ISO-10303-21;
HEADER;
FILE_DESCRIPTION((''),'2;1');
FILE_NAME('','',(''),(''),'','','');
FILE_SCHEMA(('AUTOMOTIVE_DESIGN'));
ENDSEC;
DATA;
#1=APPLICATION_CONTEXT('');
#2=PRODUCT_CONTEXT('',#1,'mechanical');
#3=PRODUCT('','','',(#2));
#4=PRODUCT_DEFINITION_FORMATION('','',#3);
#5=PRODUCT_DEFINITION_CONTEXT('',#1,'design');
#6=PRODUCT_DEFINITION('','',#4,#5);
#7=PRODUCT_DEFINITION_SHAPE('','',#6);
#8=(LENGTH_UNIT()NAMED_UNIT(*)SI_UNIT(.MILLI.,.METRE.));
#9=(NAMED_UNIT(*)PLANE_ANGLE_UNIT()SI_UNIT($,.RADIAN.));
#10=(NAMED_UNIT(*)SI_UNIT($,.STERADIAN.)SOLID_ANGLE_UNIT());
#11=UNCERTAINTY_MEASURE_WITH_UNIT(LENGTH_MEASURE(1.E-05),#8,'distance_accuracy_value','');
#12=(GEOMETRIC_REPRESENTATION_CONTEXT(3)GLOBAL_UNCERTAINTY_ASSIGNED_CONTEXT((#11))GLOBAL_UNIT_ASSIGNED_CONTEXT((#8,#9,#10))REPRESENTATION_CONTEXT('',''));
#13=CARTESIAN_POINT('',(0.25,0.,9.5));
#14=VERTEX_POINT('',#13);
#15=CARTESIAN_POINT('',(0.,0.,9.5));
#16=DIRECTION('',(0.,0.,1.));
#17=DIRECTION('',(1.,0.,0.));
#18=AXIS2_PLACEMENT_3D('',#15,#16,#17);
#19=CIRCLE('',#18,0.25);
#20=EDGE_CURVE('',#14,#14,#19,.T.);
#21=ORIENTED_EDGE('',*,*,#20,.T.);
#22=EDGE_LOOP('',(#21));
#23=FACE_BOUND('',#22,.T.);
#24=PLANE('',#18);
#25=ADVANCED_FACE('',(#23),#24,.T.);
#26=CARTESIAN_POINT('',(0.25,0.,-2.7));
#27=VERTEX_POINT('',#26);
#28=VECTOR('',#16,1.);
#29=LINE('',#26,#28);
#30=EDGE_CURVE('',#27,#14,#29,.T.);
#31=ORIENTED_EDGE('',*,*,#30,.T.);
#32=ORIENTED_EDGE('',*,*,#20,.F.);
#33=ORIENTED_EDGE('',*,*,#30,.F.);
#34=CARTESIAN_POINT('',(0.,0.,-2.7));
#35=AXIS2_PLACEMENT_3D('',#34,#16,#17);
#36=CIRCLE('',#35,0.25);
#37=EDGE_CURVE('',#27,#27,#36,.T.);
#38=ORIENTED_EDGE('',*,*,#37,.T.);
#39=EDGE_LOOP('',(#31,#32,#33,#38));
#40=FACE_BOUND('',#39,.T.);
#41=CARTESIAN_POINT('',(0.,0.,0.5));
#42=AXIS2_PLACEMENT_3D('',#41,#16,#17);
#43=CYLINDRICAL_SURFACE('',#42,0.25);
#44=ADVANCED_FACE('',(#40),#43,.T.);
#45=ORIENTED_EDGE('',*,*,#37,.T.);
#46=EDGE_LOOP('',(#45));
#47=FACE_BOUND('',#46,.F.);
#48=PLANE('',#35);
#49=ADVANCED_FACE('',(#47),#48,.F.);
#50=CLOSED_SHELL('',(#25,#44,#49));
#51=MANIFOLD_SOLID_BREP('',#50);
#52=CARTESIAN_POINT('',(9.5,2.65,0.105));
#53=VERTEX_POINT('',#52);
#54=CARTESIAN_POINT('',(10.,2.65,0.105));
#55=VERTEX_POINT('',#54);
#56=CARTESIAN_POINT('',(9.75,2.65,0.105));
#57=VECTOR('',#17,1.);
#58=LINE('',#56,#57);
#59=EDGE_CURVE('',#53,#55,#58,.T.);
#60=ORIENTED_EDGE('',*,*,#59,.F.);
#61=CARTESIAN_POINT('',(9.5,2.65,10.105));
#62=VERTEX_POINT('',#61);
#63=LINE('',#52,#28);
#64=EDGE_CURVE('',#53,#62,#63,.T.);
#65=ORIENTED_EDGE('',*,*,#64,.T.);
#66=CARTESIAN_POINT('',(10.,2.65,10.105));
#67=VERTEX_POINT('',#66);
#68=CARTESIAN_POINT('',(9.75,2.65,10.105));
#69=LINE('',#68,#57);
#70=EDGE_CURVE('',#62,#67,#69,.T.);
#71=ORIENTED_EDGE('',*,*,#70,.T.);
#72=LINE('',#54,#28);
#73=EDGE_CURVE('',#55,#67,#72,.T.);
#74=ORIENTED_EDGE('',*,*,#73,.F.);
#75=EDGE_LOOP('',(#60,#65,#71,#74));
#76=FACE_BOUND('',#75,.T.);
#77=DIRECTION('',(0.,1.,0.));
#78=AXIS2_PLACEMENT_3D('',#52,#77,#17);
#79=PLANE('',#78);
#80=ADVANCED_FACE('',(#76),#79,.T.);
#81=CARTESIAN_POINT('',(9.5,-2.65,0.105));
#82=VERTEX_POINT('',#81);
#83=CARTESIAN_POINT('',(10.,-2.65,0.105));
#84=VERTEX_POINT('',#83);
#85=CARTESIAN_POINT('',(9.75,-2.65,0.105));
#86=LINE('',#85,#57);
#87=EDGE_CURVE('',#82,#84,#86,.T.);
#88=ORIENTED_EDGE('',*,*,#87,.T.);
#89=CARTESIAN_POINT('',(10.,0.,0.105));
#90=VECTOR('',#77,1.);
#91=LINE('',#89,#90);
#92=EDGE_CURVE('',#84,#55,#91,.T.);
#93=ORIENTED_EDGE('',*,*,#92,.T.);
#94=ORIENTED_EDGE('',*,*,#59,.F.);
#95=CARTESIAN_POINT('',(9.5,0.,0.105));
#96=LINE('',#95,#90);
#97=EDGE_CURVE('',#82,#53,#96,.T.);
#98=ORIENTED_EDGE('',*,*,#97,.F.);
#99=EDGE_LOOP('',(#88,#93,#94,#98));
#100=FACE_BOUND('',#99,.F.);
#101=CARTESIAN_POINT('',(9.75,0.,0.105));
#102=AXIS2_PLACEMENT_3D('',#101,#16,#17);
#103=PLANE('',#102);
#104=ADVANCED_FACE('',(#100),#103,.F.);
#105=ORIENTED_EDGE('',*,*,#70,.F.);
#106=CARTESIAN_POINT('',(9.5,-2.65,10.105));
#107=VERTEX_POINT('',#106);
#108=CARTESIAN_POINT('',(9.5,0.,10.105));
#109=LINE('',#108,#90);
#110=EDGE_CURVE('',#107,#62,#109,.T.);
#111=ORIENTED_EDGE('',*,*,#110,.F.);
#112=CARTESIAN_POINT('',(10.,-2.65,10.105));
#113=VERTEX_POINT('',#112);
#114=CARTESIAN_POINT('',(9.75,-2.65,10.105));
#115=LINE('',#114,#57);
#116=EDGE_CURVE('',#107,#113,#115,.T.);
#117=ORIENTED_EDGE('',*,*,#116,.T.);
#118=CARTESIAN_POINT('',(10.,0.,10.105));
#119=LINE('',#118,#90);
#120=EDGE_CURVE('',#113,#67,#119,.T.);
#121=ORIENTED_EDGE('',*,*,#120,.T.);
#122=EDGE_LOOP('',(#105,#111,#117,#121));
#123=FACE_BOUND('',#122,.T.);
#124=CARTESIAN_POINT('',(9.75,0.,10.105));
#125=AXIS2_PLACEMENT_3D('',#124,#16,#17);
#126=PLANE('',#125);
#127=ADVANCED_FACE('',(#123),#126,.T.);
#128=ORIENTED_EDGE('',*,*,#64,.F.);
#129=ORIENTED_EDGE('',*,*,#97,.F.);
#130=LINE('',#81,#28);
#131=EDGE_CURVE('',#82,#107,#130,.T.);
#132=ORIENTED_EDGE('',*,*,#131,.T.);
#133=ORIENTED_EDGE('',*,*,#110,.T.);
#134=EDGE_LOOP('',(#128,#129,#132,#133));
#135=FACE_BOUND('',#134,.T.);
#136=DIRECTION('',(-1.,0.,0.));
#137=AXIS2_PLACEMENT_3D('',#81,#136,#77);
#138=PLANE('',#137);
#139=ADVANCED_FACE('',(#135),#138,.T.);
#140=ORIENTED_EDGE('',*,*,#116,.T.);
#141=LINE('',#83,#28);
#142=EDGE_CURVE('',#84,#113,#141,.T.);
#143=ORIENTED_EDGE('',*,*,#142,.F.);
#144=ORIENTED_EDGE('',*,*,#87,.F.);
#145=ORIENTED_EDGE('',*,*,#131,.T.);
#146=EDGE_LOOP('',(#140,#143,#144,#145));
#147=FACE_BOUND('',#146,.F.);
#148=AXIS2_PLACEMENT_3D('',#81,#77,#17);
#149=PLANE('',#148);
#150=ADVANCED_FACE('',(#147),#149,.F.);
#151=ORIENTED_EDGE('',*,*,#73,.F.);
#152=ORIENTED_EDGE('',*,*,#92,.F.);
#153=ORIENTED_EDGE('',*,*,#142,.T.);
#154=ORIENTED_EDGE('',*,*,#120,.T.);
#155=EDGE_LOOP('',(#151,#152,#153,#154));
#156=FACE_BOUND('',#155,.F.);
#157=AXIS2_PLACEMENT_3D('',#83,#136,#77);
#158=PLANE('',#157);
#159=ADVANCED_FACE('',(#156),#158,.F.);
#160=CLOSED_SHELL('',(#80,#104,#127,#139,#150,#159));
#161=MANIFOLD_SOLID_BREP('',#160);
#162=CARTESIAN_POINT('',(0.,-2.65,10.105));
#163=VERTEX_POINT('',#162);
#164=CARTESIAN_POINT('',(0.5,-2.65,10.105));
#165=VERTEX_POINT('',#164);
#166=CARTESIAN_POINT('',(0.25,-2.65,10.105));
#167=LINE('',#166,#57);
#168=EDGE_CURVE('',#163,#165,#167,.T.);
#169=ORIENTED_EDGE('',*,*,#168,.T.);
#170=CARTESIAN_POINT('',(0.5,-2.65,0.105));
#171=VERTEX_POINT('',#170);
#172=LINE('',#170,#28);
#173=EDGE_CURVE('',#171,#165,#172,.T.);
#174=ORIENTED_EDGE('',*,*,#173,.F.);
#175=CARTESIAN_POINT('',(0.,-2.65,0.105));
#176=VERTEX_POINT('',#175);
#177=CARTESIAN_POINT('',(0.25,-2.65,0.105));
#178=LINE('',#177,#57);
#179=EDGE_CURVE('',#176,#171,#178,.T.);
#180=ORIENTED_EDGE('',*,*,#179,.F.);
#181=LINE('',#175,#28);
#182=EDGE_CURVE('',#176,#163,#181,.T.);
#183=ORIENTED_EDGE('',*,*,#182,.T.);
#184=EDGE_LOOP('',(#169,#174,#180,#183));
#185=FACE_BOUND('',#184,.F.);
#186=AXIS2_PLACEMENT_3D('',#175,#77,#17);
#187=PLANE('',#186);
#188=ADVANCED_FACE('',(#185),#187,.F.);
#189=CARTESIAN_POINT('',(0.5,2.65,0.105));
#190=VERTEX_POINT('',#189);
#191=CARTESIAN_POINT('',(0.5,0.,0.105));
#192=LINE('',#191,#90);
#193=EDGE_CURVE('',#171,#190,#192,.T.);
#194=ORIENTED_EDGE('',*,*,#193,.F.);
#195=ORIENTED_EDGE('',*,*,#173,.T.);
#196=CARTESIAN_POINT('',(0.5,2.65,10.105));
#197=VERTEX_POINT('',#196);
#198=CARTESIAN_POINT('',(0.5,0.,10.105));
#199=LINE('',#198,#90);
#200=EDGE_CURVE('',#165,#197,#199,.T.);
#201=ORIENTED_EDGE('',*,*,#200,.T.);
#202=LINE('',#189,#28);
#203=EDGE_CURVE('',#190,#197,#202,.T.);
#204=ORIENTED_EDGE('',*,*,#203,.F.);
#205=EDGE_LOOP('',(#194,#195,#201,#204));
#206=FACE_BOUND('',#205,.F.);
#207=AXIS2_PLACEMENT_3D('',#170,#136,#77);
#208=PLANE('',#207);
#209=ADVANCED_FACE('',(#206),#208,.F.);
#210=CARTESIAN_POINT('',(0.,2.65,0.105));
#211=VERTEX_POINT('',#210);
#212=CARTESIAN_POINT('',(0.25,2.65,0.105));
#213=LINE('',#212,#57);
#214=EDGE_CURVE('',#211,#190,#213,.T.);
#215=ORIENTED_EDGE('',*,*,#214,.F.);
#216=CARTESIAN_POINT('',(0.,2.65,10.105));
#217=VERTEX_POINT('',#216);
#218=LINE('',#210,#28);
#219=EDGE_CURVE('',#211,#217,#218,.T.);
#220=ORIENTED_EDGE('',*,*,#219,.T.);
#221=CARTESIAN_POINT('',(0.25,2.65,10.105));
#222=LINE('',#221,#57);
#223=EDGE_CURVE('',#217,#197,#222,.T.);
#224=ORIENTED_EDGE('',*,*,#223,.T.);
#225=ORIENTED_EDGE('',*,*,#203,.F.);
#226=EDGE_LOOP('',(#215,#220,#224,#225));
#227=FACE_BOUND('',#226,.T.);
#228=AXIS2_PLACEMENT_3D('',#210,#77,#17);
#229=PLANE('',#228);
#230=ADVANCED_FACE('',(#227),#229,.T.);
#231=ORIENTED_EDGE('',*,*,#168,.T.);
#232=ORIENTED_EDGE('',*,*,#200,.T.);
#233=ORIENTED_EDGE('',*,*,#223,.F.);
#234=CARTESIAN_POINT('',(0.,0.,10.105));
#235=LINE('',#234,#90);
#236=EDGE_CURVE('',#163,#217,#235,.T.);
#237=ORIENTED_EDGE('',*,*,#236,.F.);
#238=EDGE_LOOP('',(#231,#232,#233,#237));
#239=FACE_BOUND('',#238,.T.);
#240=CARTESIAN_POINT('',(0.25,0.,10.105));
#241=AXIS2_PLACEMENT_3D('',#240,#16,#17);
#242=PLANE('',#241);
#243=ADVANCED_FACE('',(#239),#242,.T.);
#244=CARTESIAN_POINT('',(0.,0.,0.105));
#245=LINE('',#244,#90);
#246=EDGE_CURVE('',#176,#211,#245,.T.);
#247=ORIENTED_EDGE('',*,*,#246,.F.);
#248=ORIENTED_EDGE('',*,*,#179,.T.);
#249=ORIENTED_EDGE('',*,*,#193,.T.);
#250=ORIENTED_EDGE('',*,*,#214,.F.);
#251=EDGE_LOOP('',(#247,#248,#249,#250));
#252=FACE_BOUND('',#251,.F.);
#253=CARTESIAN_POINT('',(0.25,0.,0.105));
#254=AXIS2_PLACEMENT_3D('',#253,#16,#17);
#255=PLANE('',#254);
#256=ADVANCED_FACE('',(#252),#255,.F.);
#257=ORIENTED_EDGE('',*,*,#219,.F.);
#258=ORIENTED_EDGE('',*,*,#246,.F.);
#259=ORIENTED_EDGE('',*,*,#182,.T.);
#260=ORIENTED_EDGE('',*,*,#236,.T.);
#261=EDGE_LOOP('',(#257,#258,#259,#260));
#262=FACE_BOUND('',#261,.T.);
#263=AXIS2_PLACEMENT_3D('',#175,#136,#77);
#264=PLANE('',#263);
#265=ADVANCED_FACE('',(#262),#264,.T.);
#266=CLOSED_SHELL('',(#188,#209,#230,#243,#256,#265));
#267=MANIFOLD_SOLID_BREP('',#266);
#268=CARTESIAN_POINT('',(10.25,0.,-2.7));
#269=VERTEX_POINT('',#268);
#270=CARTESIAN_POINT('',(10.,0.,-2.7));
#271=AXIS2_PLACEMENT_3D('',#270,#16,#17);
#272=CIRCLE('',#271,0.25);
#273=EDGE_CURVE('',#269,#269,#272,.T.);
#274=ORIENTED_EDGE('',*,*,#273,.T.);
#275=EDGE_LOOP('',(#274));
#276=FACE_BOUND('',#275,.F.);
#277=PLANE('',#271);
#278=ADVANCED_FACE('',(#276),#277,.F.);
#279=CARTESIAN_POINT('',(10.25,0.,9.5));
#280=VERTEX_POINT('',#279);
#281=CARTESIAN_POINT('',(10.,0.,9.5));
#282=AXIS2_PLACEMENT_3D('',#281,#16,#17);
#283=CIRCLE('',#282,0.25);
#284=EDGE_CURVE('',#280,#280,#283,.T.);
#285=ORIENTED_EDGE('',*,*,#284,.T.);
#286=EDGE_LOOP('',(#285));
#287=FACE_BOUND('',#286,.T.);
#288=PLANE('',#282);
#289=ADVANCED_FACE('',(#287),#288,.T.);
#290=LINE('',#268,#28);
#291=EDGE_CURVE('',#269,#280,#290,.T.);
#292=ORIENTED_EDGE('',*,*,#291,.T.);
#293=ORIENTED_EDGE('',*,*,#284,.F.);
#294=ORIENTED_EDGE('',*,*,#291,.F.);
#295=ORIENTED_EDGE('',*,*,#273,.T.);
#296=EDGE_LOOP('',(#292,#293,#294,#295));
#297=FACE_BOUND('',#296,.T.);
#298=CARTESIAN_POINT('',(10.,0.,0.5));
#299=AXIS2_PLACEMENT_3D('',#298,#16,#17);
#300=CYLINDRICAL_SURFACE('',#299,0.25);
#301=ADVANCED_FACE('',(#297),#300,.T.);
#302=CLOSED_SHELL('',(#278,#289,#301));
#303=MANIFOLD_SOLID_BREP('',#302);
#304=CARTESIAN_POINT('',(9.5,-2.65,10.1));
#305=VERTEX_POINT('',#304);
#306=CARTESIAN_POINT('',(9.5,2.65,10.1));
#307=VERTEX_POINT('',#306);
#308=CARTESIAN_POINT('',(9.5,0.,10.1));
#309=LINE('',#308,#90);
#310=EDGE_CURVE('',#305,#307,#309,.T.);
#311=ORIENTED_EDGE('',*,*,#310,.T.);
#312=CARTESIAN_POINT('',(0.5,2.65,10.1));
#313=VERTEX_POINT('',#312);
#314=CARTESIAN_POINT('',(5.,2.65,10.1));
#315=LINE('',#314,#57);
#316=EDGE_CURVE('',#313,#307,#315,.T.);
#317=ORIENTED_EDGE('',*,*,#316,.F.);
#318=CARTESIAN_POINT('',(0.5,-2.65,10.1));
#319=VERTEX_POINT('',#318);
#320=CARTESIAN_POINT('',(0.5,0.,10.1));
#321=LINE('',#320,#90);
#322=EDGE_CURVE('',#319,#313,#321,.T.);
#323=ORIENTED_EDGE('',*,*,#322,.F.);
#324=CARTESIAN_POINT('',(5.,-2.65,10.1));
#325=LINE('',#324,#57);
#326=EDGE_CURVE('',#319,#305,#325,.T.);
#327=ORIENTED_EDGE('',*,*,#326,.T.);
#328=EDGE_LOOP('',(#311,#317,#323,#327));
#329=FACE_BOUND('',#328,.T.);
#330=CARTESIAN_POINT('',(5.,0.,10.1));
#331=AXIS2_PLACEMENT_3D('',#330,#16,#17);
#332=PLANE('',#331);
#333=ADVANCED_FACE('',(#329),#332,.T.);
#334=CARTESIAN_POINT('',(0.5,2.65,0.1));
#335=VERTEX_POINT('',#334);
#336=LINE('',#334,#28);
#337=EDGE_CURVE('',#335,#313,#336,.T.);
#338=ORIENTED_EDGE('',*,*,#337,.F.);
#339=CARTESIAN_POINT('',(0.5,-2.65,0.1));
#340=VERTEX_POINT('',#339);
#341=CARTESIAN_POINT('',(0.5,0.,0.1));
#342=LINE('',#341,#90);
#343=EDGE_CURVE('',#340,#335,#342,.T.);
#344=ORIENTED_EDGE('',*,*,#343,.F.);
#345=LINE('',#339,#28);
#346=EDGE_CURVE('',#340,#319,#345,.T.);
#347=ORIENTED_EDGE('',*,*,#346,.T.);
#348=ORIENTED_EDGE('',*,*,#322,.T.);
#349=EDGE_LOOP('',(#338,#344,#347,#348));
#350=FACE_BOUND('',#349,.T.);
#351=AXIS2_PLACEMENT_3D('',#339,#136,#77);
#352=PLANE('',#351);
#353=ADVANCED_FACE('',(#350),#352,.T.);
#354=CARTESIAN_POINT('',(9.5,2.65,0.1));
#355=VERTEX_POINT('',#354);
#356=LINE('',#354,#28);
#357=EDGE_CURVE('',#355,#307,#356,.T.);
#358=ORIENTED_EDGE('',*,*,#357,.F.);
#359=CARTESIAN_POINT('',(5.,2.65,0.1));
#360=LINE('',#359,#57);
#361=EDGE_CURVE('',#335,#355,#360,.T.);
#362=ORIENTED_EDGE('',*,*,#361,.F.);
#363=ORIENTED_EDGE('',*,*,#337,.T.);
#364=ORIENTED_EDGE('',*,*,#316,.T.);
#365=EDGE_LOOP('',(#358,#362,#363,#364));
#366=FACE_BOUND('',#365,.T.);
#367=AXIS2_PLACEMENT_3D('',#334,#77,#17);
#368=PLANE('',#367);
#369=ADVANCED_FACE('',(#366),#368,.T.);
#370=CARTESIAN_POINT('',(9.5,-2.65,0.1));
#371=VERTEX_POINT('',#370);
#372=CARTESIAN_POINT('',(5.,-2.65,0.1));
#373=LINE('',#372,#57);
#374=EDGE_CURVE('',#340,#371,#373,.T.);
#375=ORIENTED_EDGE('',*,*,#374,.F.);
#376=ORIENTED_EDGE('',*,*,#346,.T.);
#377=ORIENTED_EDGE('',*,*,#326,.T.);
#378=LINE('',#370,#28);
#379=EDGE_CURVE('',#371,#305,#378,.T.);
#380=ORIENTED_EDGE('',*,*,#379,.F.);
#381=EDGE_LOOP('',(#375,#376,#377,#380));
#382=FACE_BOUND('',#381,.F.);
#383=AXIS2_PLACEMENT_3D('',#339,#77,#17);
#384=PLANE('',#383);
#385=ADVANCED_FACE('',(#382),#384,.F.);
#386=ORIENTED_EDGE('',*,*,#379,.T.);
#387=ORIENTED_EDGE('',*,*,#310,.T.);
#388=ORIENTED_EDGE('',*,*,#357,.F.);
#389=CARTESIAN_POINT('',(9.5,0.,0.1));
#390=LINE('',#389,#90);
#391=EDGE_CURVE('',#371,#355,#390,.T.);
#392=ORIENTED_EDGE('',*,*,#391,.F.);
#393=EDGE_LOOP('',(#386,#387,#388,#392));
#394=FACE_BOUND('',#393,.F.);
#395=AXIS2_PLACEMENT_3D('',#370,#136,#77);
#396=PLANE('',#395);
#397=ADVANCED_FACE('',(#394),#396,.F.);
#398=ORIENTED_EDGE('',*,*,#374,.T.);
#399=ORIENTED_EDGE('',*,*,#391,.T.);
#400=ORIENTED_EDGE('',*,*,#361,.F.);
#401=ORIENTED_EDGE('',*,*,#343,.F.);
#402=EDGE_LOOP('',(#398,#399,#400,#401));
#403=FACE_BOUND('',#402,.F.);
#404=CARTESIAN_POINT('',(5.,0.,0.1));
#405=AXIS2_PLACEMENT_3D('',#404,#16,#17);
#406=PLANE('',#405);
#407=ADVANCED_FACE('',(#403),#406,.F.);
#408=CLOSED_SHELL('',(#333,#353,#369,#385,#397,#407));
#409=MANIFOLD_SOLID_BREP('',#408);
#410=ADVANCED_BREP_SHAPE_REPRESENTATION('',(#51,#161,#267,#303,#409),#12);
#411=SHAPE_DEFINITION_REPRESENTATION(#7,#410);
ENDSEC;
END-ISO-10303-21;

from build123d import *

# Parameters (mm, degrees)
SKETCH_W          = 9
SKETCH_H          = 5.3
PAD_DEPTH         = 10
SKETCH001_R       = 0.25
PAD001_DEPTH      = 9
PAD001_DEPTH_BACK = 3.2
SKETCH002_W       = 0.5
SKETCH002_H       = 5.3
PAD002_DEPTH      = 10


with BuildPart() as pad:
    # Sketch → Pad (new body)
    with BuildSketch(Plane.XY.offset(0.1)):
        with Locations((5, 0)):
            Rectangle(SKETCH_W, SKETCH_H)
    extrude(amount=PAD_DEPTH)


with BuildPart() as pad001:
    # Sketch001 → Pad001 (new body, two sides)
    with BuildSketch(Plane.XY.offset(0.5)) as pad001_sk:
        Circle(SKETCH001_R)
        with Locations((10, 0)):
            Circle(SKETCH001_R)
    extrude(amount=PAD001_DEPTH)
    extrude(pad001_sk.sketch, amount=-PAD001_DEPTH_BACK)


with BuildPart() as pad002:
    # Sketch002 → Pad002 (new body)
    with BuildSketch(Plane.XY.offset(0.105)):
        with Locations((0.25, 0)):
            Rectangle(SKETCH002_W, SKETCH002_H)
        with Locations((9.75, 0)):
            Rectangle(SKETCH002_W, SKETCH002_H)
    extrude(amount=PAD002_DEPTH)


solid = Compound([pad.part, pad001.part, pad002.part])
